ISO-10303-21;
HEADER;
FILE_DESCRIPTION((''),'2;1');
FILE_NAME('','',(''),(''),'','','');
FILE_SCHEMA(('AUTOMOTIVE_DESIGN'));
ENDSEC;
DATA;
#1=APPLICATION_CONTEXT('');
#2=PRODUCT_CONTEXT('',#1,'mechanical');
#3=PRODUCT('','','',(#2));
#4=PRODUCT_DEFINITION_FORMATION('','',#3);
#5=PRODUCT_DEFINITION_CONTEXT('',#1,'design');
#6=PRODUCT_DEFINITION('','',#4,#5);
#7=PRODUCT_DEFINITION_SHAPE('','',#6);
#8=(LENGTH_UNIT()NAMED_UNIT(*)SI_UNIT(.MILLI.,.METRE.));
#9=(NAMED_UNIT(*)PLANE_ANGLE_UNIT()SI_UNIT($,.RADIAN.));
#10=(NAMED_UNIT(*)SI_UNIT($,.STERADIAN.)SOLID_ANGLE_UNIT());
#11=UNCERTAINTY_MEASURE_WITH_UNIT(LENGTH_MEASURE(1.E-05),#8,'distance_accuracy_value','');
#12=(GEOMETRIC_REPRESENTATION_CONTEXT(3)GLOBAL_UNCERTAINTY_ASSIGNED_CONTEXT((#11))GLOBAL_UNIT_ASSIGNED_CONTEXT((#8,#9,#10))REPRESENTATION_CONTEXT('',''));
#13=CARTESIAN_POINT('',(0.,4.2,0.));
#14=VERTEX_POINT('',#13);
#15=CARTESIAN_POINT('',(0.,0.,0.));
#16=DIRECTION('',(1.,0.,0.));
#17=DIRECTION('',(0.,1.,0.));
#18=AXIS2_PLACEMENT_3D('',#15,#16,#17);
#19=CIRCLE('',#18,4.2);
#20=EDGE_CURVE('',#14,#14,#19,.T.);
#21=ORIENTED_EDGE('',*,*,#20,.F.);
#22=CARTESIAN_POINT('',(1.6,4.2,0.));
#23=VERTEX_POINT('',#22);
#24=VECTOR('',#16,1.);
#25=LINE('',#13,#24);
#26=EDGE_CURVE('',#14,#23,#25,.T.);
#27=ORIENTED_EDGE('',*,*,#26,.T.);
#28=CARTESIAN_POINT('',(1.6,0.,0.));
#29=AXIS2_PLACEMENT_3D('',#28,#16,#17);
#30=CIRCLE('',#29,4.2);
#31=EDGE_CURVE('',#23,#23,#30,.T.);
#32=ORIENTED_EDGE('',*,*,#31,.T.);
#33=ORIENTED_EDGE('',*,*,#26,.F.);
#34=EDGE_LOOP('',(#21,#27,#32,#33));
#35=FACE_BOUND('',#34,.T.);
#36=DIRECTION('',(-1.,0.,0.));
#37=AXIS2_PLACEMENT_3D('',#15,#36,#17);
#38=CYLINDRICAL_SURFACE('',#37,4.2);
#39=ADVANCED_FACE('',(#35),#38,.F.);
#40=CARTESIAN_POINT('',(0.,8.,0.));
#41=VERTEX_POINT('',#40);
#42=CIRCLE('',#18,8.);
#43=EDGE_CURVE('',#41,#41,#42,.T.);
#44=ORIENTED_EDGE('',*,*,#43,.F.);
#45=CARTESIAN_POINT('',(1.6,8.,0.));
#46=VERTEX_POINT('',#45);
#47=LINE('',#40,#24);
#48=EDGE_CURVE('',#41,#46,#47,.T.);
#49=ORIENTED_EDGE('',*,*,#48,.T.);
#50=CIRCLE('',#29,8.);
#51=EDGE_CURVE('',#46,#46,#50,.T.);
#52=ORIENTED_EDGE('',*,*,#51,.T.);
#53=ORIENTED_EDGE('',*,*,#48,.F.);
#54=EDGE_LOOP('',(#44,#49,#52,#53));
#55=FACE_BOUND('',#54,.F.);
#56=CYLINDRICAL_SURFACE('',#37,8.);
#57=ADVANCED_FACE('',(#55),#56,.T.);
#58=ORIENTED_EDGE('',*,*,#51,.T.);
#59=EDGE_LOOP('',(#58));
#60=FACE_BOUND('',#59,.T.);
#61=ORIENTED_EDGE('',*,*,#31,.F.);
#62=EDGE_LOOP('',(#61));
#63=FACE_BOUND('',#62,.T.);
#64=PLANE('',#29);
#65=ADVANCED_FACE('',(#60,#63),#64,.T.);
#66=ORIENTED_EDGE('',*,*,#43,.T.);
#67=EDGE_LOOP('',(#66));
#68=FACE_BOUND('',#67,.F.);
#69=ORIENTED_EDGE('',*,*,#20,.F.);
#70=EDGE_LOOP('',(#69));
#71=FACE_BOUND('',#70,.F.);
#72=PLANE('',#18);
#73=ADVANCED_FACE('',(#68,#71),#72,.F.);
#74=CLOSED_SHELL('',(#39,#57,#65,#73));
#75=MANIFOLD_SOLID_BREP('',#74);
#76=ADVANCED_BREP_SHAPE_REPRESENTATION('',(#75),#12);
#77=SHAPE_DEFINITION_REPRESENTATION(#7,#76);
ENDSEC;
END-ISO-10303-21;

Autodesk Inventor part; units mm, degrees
ref_plane "YZ Plane" through (0, 0, 0) normal (1, 0, 0) x (0, 1, 0)
ref_plane "XZ Plane" through (0, 0, 0) normal (0, 1, 0) x (-1, 0, 0)
sketch "Sketch" plane through (0, 0, 0) normal (1, 0, 0) x (0, 1, 0)
  circle A0 centre (0, 0) radius 8
  circle A1 centre (0, 0) radius 4.2
  dimension "d0" = 8.4
  dimension "d1" = 16
extrude "Body" add sketch "Sketch" along normal blind 1.6
ref_plane "Work Plane1" through (0, 0, 0) normal (0, 0, 1) x (1, 0, 0)
equation "\"d0\" = SD1"
equation "\"d1\" = SD2"
equation "\"d2\" = SD"
equation "\"SD1\" = 8.4"
equation "\"SD2\" = 16"
equation "\"SD\" = 1.6"
equation "\"NND\" = 8"
properties part number "washer_m8" material "Steel, Mild"
